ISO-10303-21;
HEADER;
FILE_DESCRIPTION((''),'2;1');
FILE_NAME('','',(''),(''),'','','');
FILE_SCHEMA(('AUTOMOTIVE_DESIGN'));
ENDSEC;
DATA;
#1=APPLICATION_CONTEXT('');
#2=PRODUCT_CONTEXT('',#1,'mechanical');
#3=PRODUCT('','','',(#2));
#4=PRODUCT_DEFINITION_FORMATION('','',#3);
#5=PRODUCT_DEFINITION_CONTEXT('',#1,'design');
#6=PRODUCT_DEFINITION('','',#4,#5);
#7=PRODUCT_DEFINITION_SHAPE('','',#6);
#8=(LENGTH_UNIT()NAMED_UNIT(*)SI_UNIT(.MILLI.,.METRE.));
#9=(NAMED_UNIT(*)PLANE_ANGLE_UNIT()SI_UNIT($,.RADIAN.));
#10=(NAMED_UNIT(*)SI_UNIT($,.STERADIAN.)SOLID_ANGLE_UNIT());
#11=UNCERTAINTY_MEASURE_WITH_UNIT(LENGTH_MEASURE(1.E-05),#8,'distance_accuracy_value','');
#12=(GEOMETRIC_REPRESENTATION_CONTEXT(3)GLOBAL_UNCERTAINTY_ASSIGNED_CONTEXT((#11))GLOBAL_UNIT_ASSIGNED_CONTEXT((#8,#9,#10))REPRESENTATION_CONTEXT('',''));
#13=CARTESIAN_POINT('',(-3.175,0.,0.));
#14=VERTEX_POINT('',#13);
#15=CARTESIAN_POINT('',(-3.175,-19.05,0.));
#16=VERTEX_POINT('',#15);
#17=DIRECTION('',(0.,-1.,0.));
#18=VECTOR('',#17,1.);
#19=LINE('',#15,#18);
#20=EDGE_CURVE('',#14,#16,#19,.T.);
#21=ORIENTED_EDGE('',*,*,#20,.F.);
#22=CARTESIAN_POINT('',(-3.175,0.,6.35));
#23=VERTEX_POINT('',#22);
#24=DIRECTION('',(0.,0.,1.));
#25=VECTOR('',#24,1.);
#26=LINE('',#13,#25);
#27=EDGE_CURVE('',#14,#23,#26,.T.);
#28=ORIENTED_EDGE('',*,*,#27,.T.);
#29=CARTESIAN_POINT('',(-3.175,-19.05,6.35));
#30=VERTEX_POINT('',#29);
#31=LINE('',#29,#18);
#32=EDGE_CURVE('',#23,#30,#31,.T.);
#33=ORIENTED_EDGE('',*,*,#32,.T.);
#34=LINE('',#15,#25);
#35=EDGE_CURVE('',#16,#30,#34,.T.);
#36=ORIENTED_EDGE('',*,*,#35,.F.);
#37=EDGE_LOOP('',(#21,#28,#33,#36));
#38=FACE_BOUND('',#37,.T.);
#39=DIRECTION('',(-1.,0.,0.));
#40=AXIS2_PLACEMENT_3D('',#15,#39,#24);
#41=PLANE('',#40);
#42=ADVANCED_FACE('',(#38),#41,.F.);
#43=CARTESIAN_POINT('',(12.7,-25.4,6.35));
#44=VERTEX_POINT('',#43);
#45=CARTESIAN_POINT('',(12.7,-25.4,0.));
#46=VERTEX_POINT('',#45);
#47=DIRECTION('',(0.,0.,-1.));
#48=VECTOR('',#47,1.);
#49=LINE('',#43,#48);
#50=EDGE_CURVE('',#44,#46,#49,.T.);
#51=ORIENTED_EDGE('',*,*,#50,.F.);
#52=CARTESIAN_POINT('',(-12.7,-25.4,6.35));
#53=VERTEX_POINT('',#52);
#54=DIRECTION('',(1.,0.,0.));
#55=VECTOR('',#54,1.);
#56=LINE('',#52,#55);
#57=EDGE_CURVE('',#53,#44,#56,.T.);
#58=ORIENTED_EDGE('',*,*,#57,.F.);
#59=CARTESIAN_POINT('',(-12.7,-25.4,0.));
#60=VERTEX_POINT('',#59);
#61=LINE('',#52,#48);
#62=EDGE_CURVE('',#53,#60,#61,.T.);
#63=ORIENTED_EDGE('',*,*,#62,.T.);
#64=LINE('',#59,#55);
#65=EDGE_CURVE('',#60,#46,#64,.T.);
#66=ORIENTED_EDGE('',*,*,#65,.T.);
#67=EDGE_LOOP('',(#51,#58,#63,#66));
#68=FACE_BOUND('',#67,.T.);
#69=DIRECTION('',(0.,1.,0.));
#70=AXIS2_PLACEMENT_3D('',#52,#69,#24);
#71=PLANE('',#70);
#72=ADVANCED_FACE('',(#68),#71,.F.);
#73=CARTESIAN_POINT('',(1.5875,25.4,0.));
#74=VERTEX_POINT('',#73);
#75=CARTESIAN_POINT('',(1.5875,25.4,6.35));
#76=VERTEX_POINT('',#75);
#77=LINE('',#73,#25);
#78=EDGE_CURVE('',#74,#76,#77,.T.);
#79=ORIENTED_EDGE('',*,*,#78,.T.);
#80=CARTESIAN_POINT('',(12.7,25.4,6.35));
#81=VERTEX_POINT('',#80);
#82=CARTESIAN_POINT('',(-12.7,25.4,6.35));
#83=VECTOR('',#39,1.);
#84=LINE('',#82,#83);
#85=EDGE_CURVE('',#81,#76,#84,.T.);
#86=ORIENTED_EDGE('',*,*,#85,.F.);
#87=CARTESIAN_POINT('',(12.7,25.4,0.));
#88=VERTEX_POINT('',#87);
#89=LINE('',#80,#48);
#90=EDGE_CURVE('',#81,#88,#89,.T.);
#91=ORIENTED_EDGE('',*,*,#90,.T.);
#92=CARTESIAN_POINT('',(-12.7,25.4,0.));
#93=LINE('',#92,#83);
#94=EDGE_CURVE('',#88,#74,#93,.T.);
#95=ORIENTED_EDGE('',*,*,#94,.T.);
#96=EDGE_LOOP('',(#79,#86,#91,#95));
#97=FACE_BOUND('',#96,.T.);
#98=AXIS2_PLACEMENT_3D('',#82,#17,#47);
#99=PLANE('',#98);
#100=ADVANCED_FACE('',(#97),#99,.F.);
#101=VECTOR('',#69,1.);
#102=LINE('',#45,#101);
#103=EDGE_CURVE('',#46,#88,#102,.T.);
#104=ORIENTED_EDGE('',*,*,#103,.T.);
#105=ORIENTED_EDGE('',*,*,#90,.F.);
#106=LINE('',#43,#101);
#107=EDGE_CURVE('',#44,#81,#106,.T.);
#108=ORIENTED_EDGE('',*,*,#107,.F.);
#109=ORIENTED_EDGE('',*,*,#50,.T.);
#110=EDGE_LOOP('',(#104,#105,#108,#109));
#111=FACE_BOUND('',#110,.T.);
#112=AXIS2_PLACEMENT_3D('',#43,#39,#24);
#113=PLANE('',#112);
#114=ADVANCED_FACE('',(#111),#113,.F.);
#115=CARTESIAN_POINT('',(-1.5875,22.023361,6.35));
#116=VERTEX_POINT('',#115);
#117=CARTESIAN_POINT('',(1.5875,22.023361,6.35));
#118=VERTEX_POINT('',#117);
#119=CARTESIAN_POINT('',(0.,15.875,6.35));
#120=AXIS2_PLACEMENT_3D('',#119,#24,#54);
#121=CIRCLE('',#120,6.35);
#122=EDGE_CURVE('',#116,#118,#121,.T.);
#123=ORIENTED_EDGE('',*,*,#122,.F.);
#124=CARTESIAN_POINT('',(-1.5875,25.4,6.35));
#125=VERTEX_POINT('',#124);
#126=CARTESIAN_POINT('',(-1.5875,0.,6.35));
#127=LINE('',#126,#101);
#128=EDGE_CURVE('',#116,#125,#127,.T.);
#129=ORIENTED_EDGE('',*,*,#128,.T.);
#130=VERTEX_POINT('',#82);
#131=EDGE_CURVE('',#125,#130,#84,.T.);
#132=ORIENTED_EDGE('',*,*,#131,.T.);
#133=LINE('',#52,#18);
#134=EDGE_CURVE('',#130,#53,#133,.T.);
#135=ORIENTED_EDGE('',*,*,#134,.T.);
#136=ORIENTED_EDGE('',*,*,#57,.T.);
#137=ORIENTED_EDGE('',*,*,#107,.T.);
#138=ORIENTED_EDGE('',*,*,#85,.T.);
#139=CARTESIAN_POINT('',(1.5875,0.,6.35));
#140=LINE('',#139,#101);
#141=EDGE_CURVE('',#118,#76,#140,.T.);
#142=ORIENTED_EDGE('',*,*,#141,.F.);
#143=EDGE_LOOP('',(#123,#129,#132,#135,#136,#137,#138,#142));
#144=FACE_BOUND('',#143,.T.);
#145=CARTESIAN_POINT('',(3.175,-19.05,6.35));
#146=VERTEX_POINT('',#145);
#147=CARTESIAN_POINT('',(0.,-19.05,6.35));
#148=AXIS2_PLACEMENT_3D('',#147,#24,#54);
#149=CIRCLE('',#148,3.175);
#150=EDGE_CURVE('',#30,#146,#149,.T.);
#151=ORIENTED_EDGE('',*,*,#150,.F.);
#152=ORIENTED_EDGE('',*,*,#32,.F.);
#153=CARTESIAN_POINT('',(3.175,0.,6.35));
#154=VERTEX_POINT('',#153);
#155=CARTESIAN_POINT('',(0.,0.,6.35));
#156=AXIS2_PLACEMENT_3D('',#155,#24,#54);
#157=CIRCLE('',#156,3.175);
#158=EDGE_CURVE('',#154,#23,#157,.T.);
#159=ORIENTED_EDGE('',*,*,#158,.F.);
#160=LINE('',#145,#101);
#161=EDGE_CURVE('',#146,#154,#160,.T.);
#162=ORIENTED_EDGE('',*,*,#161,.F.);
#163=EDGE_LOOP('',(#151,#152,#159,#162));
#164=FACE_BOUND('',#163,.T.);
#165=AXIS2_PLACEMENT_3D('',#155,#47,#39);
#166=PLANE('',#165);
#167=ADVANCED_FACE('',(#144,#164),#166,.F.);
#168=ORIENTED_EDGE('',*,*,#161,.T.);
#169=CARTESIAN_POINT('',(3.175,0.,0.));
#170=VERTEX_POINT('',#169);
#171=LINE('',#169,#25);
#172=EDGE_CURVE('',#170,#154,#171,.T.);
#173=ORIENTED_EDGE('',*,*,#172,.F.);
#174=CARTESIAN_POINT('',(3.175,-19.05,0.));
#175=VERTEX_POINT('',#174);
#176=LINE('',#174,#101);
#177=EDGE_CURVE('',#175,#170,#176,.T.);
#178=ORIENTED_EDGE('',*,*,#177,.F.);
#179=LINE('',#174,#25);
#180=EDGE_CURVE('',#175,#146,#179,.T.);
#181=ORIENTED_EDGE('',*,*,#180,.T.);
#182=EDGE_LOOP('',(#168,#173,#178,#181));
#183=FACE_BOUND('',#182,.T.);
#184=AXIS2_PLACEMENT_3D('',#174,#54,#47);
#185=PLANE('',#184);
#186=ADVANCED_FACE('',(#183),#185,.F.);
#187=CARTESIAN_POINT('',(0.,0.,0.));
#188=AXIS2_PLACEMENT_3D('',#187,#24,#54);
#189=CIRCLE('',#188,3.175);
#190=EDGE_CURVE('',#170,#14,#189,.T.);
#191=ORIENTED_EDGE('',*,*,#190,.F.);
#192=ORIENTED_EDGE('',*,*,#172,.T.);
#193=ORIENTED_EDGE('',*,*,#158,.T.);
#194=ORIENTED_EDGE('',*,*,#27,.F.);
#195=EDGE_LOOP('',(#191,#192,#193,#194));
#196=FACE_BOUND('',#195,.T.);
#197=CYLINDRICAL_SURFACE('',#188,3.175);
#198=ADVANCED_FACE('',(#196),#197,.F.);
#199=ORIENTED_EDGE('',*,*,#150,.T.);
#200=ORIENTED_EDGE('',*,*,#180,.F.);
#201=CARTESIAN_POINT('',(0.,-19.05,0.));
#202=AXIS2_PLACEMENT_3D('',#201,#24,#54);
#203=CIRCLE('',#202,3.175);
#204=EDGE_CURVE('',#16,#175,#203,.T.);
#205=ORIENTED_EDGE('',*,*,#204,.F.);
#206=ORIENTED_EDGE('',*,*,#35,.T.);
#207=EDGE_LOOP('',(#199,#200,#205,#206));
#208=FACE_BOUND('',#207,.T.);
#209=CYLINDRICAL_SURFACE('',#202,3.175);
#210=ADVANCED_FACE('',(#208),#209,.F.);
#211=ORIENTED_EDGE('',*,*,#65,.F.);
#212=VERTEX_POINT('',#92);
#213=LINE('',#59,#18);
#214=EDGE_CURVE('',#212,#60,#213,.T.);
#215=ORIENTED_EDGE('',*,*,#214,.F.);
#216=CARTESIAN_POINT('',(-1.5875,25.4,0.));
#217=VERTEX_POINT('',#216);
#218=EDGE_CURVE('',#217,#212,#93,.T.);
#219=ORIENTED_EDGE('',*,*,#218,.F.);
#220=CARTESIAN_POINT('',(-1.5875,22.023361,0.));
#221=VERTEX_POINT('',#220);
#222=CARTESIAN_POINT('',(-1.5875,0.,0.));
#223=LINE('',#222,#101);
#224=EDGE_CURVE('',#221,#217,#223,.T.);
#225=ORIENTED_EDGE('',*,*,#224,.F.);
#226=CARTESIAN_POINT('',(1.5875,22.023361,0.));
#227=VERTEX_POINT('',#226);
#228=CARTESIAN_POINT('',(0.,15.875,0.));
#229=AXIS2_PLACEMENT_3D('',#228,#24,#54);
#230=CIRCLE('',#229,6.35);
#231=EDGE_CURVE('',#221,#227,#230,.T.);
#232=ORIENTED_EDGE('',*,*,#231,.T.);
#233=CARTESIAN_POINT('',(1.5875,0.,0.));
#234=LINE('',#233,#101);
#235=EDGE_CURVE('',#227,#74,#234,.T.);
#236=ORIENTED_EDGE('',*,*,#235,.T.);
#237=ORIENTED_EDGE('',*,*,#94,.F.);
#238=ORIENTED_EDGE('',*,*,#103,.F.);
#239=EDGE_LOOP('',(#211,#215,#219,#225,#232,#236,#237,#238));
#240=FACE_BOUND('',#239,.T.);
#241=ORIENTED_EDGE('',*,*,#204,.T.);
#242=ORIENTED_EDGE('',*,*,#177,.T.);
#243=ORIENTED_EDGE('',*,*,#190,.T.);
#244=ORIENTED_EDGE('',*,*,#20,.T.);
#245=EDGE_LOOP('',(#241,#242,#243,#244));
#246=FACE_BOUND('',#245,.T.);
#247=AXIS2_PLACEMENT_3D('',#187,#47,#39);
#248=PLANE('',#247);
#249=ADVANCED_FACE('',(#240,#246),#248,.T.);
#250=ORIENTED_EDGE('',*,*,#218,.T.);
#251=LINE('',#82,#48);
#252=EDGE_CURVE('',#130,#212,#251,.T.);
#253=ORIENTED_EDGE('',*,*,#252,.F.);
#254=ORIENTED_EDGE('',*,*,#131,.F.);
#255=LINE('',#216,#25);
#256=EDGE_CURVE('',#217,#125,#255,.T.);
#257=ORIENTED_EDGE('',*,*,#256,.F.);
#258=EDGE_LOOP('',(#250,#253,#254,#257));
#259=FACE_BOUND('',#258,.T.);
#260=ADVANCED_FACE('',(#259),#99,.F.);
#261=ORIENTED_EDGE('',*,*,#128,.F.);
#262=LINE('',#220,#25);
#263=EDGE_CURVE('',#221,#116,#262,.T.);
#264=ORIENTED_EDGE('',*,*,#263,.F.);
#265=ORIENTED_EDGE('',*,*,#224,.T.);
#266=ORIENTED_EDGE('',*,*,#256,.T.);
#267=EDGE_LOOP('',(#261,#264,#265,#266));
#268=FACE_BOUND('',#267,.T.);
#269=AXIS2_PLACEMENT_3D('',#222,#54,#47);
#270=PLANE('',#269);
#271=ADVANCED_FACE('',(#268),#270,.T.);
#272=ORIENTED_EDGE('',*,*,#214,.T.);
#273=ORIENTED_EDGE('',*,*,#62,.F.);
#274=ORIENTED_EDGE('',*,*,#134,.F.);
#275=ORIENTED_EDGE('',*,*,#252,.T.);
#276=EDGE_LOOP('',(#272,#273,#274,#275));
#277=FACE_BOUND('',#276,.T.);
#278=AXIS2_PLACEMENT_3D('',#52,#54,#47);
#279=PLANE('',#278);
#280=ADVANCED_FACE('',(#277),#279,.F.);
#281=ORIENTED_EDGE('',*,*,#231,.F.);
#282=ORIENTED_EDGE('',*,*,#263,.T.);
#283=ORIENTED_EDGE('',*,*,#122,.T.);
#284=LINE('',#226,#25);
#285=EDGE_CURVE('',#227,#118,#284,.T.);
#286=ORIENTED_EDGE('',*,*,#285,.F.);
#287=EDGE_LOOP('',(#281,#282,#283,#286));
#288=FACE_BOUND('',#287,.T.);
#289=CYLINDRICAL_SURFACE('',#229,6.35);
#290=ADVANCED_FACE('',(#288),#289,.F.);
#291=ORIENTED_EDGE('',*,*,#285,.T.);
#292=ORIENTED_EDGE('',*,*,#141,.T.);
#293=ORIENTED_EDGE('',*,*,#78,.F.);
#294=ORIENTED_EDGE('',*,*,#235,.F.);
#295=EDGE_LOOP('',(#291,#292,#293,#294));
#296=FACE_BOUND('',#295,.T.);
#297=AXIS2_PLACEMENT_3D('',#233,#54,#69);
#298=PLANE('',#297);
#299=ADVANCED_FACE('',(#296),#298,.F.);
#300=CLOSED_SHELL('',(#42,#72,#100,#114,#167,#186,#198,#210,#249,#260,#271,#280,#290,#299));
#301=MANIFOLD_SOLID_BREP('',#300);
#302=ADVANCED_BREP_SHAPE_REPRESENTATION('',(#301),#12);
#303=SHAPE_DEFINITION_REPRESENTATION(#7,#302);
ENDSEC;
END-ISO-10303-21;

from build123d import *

# Parameters (mm, degrees)
SKETCH1_W           = 25.4
SKETCH1_H           = 50.8
BOSS_EXTRUDE1_DEPTH = 6.35
CUT_EXTRUDE1_DEPTH  = 30.099355663
CUT_EXTRUDE2_DEPTH  = 30.099355663


with BuildPart() as part:
    # Sketch1 → Boss-Extrude1 (new body)
    with BuildSketch(Plane.XY):
        Rectangle(SKETCH1_W, SKETCH1_H)
    extrude(amount=BOSS_EXTRUDE1_DEPTH)

    # Sketch2 → Cut-Extrude1 (cut, through all)
    with BuildSketch(Plane.XY.offset(6.35)):
        with BuildLine():
            Line((-1.5875, 22.023361062), (-1.5875, 14.440204949))
            Line((-1.5875, 14.440204949), (1.5875, 14.440204949))
            Line((1.5875, 14.440204949), (1.5875, 22.023361062))
            ThreePointArc((1.5875, 22.023361062), (0, 22.225), (-1.5875, 22.023361062))
        make_face()
        with BuildLine():
            Line((1.5875, 14.440204949), (-1.5875, 14.440204949))
            Line((-1.5875, 14.440204949), (-1.5875, 22.023361062))
            ThreePointArc((-1.5875, 22.023361062), (-3.888564967, 10.854884214), (6.35, 15.875))
            ThreePointArc((6.35, 15.875), (5.020115786, 19.763564967), (1.5875, 22.023361062))
            Line((1.5875, 22.023361062), (1.5875, 14.440204949))
        make_face()
        with BuildLine():
            Line((-1.5875, 25.4), (-1.5875, 22.023361062))
            ThreePointArc((-1.5875, 22.023361062), (0, 22.225), (1.5875, 22.023361062))
            Line((1.5875, 22.023361062), (1.5875, 25.4))
            Line((1.5875, 25.4), (-1.5875, 25.4))
        make_face()
    extrude(amount=-CUT_EXTRUDE1_DEPTH, mode=Mode.SUBTRACT)

    # Sketch3 → Cut-Extrude2 (cut, through all)
    with BuildSketch(Plane.XY.offset(6.35)):
        with BuildLine():
            Line((-3.175, -19.05), (-3.175, 0))
            ThreePointArc((-3.175, 0), (0, 3.175), (3.175, 0))
            Line((3.175, 0), (3.175, -19.05))
            ThreePointArc((3.175, -19.05), (0, -22.225), (-3.175, -19.05))
        make_face()
    extrude(amount=-CUT_EXTRUDE2_DEPTH, mode=Mode.SUBTRACT)


solid = part.part
